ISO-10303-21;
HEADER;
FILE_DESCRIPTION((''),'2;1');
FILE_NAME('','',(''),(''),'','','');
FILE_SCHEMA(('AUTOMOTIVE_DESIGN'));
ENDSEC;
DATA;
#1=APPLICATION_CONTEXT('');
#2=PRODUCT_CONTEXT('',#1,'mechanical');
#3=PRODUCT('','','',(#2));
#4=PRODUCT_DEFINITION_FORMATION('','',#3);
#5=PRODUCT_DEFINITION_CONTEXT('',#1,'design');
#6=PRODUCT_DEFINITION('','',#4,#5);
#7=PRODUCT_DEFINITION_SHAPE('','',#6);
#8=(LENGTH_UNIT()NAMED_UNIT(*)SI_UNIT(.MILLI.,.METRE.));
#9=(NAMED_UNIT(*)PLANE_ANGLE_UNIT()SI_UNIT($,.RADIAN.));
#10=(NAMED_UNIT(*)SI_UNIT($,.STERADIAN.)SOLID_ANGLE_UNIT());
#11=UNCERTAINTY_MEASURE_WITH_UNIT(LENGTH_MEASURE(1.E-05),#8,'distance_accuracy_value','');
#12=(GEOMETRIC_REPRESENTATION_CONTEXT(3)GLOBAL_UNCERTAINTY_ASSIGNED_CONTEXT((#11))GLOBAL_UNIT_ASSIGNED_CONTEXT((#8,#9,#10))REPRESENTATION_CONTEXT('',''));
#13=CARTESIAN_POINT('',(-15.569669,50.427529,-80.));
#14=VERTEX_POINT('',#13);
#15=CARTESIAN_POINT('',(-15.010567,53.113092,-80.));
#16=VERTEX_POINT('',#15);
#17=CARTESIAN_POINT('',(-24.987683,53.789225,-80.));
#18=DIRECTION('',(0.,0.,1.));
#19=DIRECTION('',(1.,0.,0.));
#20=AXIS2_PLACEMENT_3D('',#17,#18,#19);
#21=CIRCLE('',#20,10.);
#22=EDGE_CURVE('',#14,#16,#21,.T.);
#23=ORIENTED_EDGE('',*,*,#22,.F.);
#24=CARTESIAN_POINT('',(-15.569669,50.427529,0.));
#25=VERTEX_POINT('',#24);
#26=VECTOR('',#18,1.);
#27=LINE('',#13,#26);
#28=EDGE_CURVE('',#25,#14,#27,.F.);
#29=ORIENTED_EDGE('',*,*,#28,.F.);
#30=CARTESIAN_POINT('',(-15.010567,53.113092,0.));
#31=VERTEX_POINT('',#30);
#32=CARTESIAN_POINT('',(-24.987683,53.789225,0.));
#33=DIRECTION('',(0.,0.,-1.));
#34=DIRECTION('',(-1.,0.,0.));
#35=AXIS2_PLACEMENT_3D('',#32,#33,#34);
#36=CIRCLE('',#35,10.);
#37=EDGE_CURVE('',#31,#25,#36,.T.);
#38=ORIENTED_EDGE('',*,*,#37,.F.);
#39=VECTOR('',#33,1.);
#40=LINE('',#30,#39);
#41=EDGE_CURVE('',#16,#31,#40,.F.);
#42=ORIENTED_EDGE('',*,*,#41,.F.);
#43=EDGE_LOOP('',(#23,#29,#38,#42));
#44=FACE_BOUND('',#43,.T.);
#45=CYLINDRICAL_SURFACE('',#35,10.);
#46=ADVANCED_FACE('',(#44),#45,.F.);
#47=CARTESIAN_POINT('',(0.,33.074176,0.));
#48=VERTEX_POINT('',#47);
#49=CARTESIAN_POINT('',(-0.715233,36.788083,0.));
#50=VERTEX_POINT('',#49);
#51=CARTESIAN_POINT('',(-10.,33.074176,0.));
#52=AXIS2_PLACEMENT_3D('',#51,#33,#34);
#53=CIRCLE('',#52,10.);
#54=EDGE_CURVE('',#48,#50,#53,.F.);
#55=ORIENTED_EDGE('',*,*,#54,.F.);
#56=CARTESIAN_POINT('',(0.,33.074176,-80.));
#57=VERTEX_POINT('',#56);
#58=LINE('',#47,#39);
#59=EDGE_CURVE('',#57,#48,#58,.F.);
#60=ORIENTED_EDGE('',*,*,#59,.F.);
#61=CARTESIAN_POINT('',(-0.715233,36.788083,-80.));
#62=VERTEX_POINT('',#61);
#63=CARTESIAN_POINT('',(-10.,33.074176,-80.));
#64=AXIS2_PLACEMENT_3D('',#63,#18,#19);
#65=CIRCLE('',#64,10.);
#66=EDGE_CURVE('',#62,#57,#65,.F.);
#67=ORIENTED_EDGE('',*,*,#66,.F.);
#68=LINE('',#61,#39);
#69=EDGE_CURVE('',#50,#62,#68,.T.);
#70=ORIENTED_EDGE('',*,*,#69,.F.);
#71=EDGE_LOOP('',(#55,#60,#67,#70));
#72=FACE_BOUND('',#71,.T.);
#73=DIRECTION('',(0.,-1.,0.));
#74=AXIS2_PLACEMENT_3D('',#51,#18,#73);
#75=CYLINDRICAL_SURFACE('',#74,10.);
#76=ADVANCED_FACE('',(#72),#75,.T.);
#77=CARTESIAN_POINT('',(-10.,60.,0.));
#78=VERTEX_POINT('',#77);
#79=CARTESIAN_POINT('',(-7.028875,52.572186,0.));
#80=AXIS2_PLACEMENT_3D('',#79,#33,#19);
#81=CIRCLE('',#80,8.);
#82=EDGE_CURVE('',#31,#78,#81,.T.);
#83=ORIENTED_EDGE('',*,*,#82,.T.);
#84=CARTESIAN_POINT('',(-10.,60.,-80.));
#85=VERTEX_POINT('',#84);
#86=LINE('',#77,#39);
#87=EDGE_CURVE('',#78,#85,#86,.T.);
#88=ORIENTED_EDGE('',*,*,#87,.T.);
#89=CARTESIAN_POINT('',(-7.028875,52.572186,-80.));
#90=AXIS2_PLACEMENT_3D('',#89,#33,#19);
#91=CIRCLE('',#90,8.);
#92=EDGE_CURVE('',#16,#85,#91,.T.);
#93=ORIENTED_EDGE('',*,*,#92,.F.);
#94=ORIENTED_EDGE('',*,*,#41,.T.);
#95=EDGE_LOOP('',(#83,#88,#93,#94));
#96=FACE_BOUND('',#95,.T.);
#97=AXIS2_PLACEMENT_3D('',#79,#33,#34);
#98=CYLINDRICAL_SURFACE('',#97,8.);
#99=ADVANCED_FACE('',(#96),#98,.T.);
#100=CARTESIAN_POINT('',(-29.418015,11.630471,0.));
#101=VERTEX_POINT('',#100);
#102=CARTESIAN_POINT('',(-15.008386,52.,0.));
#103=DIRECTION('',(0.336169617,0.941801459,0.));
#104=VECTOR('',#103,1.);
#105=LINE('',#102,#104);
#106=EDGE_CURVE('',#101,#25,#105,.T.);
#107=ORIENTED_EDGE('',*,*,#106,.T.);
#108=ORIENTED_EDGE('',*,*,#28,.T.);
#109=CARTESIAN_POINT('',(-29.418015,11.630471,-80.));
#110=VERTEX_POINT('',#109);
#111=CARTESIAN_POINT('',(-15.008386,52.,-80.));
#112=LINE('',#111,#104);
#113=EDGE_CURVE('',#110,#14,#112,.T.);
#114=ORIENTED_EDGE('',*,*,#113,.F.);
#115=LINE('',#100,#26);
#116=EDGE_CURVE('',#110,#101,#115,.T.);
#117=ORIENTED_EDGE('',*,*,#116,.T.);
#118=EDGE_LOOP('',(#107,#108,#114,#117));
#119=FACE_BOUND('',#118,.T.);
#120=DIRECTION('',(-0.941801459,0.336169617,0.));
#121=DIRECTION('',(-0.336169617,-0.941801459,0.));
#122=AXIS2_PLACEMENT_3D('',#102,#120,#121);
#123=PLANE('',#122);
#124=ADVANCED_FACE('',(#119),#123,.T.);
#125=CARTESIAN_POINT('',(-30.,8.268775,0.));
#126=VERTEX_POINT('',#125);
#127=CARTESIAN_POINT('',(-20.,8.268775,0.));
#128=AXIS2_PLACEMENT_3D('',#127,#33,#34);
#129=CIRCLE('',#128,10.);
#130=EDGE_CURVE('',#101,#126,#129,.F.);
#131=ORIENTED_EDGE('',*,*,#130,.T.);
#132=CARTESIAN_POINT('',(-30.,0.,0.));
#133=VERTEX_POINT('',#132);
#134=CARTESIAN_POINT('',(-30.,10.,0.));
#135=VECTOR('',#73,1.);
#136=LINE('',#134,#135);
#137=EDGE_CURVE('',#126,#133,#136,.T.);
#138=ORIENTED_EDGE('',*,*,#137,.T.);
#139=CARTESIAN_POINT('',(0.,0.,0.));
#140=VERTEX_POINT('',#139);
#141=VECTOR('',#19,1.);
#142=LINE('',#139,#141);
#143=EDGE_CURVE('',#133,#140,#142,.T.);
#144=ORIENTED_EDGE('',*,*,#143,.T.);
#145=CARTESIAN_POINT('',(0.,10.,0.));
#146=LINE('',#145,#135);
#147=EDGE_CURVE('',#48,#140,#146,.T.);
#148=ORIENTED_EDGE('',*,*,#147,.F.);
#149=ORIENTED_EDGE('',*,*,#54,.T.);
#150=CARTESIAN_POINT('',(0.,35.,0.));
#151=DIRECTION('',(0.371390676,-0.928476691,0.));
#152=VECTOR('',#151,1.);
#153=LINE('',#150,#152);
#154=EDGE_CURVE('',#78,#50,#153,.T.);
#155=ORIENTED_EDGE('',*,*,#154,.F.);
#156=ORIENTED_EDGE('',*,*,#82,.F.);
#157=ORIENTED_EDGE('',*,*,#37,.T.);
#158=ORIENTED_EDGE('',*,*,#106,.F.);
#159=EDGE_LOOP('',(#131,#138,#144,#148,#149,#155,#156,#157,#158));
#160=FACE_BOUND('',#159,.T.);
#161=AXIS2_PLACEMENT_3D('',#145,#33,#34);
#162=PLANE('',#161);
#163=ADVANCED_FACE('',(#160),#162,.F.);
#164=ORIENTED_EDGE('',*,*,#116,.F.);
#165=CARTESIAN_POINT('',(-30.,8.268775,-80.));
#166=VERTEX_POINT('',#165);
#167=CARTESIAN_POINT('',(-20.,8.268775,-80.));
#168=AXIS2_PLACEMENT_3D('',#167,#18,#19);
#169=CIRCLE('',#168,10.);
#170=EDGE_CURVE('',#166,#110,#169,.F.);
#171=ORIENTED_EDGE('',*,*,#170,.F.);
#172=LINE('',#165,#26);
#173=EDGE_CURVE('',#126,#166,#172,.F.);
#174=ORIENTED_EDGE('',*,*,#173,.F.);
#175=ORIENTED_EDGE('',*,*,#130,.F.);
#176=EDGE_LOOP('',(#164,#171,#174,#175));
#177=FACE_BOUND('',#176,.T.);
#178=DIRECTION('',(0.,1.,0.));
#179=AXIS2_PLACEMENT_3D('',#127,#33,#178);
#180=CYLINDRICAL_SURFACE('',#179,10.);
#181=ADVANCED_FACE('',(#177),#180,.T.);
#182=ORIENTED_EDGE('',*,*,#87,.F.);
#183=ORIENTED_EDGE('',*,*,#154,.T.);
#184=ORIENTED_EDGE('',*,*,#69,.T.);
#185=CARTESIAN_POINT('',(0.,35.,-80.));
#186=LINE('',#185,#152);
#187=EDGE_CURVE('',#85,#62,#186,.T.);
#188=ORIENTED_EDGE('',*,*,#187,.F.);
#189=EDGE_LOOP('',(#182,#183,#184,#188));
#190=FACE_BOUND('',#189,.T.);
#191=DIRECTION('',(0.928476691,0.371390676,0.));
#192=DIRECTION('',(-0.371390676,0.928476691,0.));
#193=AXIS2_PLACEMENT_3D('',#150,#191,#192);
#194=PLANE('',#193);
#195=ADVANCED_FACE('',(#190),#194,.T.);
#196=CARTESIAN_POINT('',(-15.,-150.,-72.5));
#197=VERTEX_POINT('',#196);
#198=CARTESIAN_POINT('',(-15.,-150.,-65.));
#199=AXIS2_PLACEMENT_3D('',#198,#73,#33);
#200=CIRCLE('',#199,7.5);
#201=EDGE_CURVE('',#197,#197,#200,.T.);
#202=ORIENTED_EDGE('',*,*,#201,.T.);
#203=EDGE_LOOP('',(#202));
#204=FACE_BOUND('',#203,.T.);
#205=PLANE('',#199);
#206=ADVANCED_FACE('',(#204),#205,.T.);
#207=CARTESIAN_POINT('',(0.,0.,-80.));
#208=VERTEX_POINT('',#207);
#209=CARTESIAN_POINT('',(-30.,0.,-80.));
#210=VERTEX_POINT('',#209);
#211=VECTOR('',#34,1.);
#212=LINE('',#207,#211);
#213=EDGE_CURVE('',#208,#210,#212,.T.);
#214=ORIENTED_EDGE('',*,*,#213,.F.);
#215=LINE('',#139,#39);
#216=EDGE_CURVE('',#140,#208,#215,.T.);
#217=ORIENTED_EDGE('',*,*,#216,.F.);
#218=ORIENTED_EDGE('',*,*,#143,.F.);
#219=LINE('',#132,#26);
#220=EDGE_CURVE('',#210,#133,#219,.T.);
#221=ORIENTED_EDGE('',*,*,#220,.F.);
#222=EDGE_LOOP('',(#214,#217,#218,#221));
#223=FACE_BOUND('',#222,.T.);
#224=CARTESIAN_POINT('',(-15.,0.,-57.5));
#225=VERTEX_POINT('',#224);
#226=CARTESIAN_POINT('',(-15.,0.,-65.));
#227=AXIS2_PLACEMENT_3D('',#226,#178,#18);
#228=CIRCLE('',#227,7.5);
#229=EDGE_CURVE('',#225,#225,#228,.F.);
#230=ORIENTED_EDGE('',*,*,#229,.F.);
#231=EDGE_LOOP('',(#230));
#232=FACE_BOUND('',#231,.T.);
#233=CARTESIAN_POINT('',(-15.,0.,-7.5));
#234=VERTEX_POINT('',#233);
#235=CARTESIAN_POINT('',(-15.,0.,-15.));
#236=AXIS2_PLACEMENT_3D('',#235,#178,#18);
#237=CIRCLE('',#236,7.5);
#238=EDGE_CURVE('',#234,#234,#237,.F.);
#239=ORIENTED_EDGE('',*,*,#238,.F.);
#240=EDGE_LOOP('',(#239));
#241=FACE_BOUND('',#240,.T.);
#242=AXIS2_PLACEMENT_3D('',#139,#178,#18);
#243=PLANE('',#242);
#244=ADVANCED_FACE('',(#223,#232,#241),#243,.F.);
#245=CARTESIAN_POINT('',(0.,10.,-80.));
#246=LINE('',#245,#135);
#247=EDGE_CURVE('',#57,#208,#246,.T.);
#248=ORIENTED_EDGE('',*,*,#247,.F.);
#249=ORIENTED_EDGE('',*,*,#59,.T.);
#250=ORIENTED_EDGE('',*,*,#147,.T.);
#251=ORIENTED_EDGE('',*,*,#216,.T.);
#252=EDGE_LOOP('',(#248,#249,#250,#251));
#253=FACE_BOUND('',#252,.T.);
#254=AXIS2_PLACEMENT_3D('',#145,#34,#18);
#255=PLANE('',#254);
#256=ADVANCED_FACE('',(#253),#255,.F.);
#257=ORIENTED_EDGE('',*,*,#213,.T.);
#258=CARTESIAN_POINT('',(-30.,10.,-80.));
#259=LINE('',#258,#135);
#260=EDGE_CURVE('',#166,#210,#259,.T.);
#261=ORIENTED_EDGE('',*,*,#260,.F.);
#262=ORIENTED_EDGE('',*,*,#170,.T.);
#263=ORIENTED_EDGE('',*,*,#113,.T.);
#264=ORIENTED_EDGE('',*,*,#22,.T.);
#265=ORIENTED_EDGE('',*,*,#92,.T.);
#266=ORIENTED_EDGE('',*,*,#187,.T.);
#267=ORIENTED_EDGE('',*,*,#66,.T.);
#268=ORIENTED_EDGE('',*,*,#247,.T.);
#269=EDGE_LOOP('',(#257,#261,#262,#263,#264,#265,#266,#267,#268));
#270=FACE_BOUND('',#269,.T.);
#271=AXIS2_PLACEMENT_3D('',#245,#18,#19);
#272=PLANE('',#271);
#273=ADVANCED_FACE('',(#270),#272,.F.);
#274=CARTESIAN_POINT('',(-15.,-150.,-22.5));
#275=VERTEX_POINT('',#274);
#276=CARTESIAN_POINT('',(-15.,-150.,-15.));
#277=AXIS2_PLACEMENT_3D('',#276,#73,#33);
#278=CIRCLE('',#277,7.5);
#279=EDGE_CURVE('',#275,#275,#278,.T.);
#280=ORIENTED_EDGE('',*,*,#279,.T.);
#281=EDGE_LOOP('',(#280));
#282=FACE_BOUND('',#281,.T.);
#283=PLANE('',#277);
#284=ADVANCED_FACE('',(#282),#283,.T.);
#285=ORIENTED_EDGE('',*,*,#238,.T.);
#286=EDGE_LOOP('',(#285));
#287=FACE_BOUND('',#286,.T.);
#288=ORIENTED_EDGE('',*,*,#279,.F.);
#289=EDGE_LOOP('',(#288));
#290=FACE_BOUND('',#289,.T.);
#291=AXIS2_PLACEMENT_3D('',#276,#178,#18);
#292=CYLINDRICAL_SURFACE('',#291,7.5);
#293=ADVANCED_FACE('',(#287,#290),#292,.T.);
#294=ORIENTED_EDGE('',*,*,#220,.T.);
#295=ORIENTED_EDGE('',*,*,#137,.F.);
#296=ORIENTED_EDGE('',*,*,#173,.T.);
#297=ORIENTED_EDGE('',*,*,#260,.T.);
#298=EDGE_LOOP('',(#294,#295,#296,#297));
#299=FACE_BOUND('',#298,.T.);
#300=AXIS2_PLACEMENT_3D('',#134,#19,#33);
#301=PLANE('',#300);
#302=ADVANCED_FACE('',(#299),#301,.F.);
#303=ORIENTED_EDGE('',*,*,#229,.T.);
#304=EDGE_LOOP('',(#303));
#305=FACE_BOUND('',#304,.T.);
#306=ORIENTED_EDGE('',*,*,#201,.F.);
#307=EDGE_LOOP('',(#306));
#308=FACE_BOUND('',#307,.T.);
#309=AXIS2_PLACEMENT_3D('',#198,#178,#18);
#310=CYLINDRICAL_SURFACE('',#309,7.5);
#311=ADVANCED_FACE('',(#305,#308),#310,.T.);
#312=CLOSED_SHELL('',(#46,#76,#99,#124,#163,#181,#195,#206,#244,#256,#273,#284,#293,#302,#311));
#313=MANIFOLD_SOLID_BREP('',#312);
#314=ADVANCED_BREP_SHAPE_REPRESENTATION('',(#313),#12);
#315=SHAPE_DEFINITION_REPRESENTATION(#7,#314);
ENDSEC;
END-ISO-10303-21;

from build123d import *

# Parameters (mm, degrees)
SKETCH1_W           = 30
SKETCH1_H           = 80
BOSS_EXTRUDE1_DEPTH = 10
BOSS_EXTRUDE2_DEPTH = 80
FILLET1_R           = 10
FILLET2_R           = 10
FILLET4_R           = 10
SKETCH3_R           = 7.5
BOSS_EXTRUDE3_DEPTH = 150


with BuildPart() as part:
    # Sketch1 → Boss-Extrude1 (new body)
    with BuildSketch(Plane(origin=(0, 0, 0), x_dir=(1, 0, 0), z_dir=(0, 1, 0))):
        with Locations((-15, 40)):
            Rectangle(SKETCH1_W, SKETCH1_H)
    extrude(amount=BOSS_EXTRUDE1_DEPTH)

    # Sketch2 → Boss-Extrude2 (add)
    with BuildSketch(Plane(origin=(0, 0, -80), x_dir=(-1, 0, 0), z_dir=(0, 0, -1))):
        with BuildLine():
            Line((0, 10), (0, 35))
            Line((0, 35), (10, 60))
            ThreePointArc((10, 60), (13.809664499, 56.817288145), (15.008386018, 52))
            Line((15.008386018, 52), (30, 10))
            Line((30, 10), (30, 0))
            Line((30, 0), (0, 0))
            Line((0, 0), (0, 10))
        make_face()
    extrude(amount=-BOSS_EXTRUDE2_DEPTH)

    # Fillet1
    fillet1_edges = [part.edges().sort_by_distance(p)[0] for p in [
        (0, 35, -40),
    ]]
    fillet(fillet1_edges, radius=FILLET1_R)

    # Fillet2
    fillet2_edges = [part.edges().sort_by_distance(p)[0] for p in [
        (-15.008386018, 52, -40),
    ]]
    fillet(fillet2_edges, radius=FILLET2_R)

    # Fillet4
    fillet4_edges = [part.edges().sort_by_distance(p)[0] for p in [
        (-30, 10, -40),
    ]]
    fillet(fillet4_edges, radius=FILLET4_R)

    # Sketch3 → Boss-Extrude3 (add)
    with BuildSketch(Plane.XZ):
        with Locations(Location((-15, -15, 0), (0, 0, 90))):
            Circle(SKETCH3_R)
        with Locations(Location((-15, -65, 0), (0, 0, 90))):
            Circle(SKETCH3_R)
    extrude(amount=BOSS_EXTRUDE3_DEPTH)


solid = part.part
